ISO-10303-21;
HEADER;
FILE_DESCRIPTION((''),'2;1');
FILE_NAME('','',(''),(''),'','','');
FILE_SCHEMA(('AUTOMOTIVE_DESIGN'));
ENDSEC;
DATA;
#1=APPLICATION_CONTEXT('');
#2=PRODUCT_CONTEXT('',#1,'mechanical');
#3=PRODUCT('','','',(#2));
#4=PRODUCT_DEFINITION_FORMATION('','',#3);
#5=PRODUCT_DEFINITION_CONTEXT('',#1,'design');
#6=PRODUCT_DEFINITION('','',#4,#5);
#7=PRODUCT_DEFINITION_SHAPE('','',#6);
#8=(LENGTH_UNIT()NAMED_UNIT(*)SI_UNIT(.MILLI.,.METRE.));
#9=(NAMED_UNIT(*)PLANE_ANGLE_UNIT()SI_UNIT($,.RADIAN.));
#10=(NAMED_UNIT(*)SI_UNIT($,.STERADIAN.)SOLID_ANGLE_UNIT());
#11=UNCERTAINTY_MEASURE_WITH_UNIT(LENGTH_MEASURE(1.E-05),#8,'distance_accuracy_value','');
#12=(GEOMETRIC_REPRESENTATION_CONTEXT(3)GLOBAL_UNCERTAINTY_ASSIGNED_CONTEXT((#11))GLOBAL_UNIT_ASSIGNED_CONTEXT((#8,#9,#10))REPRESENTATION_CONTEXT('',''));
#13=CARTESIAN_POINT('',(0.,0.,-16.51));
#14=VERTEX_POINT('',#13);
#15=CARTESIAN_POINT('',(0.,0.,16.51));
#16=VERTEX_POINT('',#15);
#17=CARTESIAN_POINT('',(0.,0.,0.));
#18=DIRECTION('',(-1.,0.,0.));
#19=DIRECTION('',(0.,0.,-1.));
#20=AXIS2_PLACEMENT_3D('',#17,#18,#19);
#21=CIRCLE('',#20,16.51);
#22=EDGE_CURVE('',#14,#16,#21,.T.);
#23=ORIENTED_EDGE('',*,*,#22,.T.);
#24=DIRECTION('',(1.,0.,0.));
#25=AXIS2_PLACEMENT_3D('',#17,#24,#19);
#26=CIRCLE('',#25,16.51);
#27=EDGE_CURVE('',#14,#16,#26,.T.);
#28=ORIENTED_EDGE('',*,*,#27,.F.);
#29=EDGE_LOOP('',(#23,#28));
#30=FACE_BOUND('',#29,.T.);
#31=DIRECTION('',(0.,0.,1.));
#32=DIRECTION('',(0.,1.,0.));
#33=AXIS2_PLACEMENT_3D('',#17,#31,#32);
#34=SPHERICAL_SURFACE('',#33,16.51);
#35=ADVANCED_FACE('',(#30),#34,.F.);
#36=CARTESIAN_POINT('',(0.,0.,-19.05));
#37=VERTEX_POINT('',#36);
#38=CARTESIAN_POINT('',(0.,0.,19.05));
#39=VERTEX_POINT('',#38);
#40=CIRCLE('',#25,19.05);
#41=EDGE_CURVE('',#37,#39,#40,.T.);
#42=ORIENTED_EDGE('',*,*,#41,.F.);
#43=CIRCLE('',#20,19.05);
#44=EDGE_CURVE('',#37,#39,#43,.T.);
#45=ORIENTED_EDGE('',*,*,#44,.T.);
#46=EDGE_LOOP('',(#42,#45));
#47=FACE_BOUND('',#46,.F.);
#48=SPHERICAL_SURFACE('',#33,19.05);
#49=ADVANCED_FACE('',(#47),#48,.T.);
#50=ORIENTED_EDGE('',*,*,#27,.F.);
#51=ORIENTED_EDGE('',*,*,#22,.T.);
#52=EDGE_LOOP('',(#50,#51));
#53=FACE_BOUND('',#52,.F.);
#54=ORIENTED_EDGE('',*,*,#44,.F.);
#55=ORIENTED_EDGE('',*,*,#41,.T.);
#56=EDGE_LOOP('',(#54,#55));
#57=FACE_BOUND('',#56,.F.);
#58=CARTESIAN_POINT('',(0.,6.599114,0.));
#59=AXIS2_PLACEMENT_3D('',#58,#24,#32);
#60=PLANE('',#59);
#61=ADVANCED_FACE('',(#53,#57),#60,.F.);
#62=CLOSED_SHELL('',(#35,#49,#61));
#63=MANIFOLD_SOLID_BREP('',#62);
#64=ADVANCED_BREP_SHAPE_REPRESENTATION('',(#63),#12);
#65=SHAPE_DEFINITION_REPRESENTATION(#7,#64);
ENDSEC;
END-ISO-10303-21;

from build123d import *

# Parameters (mm, degrees)
F1_ANGLE_BACK = 90
F1_ANGLE      = 180
F2_T          = -2.54


with BuildPart() as f1:
    # F0 (on Front) → F1 (revolve)
    with BuildSketch(Plane.XZ, mode=Mode.PRIVATE) as f1_sk:
        with BuildLine():
            Line((0, 19.05), (0, -19.05))
            ThreePointArc((0, -19.05), (19.05, 0), (0, 19.05))
        make_face()
    revolve(f1_sk.sketch.rotate(Axis((0, 0, 0), (0, 0, -1)), -F1_ANGLE_BACK), axis=Axis((0, 0, 0), (0, 0, -1)), revolution_arc=F1_ANGLE)

    # F2
    f2_openings = [f1.faces().sort_by_distance(p)[0] for p in [
        (0, 0, 0),
    ]]
    offset(amount=F2_T, openings=f2_openings)


solid = f1.part
